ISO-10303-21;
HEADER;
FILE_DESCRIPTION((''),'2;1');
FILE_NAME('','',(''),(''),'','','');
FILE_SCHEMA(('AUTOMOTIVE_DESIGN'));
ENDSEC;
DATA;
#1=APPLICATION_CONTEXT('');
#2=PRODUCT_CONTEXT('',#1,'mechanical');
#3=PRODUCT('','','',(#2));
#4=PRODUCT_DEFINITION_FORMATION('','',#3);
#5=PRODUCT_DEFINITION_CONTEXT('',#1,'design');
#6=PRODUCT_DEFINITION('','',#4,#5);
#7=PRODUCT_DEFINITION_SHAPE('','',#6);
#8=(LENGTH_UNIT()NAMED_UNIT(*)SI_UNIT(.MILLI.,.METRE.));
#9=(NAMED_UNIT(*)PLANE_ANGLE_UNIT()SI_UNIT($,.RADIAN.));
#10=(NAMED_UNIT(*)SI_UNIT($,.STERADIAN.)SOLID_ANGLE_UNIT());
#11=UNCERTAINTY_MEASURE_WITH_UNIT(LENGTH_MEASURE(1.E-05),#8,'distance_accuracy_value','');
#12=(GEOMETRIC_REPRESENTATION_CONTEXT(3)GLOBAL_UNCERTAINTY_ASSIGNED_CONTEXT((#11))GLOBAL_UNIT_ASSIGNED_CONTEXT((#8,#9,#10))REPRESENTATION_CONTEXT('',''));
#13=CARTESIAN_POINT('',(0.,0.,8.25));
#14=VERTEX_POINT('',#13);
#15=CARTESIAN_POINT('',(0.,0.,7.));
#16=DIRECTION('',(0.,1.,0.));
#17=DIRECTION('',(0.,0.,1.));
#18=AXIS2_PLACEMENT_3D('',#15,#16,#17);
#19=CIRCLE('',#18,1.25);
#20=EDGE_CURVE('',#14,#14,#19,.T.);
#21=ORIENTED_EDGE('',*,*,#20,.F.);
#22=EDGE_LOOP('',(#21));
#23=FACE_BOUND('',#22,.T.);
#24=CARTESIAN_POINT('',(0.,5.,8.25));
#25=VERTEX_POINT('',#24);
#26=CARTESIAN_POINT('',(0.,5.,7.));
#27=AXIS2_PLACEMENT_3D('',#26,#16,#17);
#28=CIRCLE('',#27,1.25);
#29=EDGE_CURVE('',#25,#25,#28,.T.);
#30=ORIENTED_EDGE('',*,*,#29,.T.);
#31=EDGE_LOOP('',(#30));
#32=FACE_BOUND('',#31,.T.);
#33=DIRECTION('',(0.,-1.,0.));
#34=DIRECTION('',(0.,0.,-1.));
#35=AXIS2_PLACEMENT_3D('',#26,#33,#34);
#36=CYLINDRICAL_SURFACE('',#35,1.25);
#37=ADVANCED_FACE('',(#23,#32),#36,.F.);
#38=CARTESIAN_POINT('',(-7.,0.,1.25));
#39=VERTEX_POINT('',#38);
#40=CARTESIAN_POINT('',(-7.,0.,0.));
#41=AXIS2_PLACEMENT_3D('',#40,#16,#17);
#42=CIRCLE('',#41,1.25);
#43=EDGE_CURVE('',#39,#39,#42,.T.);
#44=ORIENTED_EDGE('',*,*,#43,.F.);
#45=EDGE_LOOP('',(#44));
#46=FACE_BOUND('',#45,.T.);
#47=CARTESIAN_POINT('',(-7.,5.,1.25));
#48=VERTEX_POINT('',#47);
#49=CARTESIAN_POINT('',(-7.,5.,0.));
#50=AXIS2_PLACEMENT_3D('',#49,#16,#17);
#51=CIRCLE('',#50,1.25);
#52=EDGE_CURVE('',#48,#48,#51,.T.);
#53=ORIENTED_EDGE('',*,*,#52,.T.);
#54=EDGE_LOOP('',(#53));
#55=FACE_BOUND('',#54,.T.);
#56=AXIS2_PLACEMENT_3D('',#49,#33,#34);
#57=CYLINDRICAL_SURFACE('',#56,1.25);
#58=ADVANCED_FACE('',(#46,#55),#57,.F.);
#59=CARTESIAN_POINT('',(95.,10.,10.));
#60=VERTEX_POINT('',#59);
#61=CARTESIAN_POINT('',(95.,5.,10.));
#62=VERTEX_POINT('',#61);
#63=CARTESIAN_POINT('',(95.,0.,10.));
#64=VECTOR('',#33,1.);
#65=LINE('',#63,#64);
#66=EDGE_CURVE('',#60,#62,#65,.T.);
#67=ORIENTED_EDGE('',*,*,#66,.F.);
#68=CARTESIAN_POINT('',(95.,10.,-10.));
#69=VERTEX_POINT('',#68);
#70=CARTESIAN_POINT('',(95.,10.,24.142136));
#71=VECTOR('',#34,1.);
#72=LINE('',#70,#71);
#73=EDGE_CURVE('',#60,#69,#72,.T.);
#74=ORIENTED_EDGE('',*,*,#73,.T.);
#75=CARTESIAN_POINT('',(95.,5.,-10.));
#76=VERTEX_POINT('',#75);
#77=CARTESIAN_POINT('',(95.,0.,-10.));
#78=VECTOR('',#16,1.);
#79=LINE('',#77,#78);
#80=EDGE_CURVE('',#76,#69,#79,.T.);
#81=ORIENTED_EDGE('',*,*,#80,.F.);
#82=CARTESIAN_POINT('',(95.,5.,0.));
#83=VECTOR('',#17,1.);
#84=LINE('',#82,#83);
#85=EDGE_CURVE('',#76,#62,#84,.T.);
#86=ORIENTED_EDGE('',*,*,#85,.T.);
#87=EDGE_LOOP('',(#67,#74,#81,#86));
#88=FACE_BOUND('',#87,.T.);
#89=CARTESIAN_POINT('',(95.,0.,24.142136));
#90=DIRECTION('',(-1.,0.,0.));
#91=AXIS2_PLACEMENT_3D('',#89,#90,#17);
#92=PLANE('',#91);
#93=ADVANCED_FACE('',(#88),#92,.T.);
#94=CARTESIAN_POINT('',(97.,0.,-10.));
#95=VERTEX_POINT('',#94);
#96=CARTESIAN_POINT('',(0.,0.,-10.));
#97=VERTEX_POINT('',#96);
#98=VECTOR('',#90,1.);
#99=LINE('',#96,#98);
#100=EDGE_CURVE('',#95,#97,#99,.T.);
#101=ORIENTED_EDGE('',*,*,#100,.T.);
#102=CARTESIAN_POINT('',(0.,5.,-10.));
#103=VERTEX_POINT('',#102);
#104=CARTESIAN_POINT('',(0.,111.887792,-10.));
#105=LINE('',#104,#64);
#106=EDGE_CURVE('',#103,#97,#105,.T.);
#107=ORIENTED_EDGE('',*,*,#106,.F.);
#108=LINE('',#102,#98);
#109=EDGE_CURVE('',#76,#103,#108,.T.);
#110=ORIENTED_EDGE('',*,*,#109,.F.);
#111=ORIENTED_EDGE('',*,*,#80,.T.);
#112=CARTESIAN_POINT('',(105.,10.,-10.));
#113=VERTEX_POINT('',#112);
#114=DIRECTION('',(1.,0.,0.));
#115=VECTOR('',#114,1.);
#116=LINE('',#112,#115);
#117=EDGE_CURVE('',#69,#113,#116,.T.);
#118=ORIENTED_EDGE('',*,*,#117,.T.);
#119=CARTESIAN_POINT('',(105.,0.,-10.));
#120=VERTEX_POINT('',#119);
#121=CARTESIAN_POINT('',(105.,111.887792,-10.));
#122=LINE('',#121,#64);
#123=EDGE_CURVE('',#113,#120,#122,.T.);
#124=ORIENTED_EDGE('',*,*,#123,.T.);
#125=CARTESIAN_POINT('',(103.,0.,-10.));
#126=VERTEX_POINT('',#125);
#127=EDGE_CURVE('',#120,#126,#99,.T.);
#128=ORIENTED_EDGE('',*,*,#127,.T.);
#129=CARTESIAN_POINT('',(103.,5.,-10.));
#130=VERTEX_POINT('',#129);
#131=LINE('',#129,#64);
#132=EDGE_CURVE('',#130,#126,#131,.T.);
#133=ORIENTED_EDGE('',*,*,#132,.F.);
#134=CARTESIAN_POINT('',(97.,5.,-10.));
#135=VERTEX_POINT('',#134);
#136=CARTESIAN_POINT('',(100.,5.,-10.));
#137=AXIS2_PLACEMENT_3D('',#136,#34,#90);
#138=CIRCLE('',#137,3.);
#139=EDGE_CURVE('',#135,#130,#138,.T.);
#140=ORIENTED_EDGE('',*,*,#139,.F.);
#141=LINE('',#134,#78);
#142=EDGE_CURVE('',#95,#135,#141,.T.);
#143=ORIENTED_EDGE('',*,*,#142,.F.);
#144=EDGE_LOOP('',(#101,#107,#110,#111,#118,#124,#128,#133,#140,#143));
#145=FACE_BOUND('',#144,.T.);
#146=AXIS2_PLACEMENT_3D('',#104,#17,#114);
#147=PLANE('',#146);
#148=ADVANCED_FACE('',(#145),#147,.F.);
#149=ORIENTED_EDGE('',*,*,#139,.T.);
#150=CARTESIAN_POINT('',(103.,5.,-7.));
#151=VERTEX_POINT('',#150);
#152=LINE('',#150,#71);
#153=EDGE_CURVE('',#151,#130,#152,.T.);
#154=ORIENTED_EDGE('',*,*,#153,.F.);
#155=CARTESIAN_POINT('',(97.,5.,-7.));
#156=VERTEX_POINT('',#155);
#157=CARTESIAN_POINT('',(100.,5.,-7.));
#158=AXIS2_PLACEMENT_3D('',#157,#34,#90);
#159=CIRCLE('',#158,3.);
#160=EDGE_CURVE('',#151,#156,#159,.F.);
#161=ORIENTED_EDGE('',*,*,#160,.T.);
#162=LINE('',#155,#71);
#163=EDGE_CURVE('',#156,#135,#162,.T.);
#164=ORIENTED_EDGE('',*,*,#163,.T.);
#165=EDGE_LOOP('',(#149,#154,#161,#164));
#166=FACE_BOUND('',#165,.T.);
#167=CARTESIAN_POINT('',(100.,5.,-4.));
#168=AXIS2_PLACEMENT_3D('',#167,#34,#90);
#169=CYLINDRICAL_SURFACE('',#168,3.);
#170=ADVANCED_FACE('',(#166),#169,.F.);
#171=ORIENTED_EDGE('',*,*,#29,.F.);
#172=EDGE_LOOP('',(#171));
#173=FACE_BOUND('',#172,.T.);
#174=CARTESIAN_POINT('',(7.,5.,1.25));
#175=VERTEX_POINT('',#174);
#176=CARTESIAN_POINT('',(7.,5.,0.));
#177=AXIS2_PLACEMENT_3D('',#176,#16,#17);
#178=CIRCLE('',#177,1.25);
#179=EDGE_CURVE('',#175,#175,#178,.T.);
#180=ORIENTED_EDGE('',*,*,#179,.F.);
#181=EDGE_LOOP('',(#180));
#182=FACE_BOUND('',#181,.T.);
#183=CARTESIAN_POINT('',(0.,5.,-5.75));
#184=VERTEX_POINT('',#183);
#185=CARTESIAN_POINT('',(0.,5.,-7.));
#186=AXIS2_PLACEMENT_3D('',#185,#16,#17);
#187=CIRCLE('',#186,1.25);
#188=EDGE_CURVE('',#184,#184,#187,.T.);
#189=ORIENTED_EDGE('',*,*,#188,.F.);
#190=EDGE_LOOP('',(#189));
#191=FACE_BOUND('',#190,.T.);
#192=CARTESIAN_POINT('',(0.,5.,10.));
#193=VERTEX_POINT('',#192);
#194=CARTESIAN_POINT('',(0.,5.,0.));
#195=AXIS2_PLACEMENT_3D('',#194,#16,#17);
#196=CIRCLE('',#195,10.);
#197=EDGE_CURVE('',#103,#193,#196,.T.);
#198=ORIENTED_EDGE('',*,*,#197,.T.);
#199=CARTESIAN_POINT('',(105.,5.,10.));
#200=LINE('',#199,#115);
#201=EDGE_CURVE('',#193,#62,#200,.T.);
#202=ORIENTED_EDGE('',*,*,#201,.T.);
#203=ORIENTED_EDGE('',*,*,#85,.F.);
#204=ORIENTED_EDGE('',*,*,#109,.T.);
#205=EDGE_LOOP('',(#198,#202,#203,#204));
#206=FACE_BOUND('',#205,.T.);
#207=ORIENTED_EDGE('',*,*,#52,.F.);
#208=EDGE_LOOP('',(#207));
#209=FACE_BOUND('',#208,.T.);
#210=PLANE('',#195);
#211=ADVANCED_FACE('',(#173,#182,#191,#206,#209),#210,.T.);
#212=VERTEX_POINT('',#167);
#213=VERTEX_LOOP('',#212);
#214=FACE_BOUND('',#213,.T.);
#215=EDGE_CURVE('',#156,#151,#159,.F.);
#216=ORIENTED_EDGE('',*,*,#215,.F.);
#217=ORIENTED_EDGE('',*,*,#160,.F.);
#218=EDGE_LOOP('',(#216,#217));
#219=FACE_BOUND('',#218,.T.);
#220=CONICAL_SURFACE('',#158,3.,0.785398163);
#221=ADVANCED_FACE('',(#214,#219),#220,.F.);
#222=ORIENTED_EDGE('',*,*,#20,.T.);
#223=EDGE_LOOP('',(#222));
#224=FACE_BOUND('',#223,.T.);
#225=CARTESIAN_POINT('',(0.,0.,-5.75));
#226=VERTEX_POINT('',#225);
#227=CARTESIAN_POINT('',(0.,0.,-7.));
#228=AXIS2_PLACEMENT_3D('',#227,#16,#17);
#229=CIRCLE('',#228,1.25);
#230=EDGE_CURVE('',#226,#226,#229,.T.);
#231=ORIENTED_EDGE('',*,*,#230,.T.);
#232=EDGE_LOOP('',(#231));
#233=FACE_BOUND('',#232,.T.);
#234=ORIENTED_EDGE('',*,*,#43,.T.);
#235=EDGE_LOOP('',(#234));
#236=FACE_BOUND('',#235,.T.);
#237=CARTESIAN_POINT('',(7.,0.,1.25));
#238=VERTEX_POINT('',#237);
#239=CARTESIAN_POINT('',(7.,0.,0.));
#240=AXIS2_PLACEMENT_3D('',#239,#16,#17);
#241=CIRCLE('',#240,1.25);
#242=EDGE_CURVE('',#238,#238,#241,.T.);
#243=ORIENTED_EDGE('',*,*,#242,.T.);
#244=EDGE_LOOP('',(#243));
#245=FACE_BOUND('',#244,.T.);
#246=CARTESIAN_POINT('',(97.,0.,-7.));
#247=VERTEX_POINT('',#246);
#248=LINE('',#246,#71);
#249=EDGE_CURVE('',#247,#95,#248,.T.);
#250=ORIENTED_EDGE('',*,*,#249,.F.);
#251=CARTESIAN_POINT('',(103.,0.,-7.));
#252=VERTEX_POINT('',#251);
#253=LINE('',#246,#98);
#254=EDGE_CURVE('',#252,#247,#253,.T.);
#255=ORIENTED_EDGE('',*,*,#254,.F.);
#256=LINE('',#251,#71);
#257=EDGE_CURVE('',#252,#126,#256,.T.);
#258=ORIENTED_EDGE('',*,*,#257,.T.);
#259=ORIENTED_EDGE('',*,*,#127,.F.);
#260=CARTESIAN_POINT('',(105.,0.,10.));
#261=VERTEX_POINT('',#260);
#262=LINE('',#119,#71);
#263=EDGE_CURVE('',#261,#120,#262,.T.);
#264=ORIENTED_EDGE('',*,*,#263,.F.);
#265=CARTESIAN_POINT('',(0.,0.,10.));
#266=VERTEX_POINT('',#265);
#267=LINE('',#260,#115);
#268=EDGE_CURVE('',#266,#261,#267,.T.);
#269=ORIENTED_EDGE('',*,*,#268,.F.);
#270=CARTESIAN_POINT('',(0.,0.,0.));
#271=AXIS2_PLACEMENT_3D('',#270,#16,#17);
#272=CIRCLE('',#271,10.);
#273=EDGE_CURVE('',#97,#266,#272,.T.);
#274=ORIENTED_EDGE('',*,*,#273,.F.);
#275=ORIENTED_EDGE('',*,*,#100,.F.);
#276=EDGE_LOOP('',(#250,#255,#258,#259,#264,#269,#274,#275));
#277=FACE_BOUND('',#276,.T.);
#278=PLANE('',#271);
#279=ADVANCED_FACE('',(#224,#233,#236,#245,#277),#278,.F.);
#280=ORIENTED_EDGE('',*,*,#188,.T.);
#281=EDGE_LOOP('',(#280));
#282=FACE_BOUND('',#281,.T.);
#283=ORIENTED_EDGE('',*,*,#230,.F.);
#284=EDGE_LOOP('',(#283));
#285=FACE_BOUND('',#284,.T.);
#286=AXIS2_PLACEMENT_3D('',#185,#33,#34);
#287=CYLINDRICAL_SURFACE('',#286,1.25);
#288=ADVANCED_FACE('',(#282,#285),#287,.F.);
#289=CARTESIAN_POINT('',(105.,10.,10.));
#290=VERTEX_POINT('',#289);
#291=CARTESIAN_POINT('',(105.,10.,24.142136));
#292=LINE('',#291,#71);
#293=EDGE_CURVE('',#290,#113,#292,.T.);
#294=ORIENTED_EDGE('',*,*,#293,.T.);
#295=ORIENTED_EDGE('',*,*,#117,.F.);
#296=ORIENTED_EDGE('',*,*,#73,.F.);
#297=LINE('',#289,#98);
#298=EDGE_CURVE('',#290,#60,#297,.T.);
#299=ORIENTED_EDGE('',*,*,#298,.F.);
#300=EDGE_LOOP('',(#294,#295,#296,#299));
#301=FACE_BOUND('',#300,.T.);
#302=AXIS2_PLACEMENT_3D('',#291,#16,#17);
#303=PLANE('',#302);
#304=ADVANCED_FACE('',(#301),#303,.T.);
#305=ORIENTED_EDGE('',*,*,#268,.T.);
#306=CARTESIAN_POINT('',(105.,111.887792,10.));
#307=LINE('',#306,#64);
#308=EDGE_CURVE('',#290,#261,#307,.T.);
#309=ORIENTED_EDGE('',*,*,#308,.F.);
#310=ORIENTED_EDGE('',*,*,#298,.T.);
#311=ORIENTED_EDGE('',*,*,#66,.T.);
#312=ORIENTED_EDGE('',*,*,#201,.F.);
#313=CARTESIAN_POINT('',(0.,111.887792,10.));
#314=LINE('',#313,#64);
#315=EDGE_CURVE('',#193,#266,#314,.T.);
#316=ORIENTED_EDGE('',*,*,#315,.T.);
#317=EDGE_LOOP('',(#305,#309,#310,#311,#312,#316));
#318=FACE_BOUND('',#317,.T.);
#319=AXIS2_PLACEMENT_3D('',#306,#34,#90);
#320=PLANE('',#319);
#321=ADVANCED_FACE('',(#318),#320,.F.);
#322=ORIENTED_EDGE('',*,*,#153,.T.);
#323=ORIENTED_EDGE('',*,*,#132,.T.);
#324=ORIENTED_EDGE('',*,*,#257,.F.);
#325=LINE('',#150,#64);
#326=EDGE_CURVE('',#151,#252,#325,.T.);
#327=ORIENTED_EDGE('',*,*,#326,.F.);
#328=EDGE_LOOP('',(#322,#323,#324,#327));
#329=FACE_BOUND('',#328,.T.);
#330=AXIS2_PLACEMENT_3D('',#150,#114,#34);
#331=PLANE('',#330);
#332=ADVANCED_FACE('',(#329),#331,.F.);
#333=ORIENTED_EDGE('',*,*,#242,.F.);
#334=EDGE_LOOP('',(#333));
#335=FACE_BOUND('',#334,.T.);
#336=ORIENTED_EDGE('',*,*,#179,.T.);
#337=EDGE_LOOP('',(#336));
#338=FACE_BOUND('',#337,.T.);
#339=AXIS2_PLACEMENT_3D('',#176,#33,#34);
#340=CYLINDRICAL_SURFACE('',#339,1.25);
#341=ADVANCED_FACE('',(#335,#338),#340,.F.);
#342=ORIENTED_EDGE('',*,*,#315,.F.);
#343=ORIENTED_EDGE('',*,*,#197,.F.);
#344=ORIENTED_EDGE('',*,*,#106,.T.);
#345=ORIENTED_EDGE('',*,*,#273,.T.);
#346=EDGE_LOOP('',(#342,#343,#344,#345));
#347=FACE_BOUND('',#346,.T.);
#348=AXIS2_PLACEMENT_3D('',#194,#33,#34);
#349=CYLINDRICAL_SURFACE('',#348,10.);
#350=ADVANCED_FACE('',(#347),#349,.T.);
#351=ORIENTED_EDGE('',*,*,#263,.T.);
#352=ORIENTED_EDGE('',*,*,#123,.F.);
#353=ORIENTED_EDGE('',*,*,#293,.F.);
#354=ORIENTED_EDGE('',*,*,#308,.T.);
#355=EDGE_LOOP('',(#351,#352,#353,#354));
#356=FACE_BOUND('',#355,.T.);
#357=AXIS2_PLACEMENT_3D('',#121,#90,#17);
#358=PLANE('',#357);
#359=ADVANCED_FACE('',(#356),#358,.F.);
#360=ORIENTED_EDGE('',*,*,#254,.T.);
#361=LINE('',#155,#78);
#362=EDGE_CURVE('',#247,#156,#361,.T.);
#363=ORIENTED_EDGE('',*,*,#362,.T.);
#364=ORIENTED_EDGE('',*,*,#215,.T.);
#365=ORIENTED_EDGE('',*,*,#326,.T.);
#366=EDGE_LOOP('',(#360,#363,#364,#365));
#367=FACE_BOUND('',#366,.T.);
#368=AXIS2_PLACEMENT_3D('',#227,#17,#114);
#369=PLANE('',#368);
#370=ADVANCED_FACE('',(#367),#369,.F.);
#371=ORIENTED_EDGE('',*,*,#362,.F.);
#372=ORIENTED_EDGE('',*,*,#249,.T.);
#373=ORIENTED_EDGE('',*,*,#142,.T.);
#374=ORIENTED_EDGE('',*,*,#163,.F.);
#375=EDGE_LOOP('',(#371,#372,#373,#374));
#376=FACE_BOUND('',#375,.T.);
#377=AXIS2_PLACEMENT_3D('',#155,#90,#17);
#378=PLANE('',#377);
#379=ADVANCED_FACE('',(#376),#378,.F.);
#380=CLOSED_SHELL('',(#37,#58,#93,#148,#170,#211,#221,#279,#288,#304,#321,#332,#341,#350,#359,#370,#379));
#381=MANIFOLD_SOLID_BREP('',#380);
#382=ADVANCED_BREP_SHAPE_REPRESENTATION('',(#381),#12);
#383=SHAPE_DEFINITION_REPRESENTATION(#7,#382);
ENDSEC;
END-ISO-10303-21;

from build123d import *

# Parameters (mm, degrees)
SKETCH1_R           = 10
SKETCH1_R_2         = 1.25
BOSS_EXTRUDE1_DEPTH = 5
BOSS_EXTRUDE2_DEPTH = 5
SKETCH3_W           = 10
SKETCH3_H           = 10
BOSS_EXTRUDE3_DEPTH = 20
SKETCH4_R           = 3
CUT_EXTRUDE1_DEPTH  = 6
CHAMFER1_SIZE       = 3
SKETCH5_W           = 6
SKETCH5_H           = 5
CUT_EXTRUDE2_DEPTH  = 3


with BuildPart() as part:
    # Sketch1 → Boss-Extrude1 (new body)
    with BuildSketch(Plane(origin=(0, 0, 0), x_dir=(1, 0, 0), z_dir=(0, 1, 0))):
        with Locations(Location((0, 0, 0), (0, 0, 270))):
            Circle(SKETCH1_R)
        with Locations(Location((0, 7, 0), (0, 0, 270))):
            Circle(SKETCH1_R_2, mode=Mode.SUBTRACT)
        with Locations(Location((7, 0, 0), (0, 0, 270))):
            Circle(SKETCH1_R_2, mode=Mode.SUBTRACT)
        with Locations(Location((0, -7, 0), (0, 0, 270))):
            Circle(SKETCH1_R_2, mode=Mode.SUBTRACT)
        with Locations(Location((-7, 0, 0), (0, 0, 270))):
            Circle(SKETCH1_R_2, mode=Mode.SUBTRACT)
    extrude(amount=BOSS_EXTRUDE1_DEPTH)

    # Sketch2 → Boss-Extrude2 (add)
    with BuildSketch(Plane(origin=(0, 0, 0), x_dir=(1, 0, 0), z_dir=(0, 1, 0))):
        with BuildLine():
            Line((0, 10), (105, 10))
            Line((105, 10), (105, -10))
            Line((105, -10), (0, -10))
            ThreePointArc((0, -10), (10, 0), (0, 10))
        make_face()
    extrude(amount=BOSS_EXTRUDE2_DEPTH)

    # Sketch3 → Boss-Extrude3 (add)
    with BuildSketch(Plane(origin=(0, 0, -10), x_dir=(-1, 0, 0), z_dir=(0, 0, -1))):
        with Locations((-100, 5)):
            Rectangle(SKETCH3_W, SKETCH3_H)
    extrude(amount=-BOSS_EXTRUDE3_DEPTH)

    # Sketch4 → Cut-Extrude1 (cut)
    with BuildSketch(Plane(origin=(0, 0, -10), x_dir=(-1, 0, 0), z_dir=(0, 0, -1))):
        with Locations((-100, 5)):
            Circle(SKETCH4_R)
    extrude(amount=-CUT_EXTRUDE1_DEPTH, mode=Mode.SUBTRACT)

    # Chamfer1
    chamfer1_edges = [part.edges().sort_by_distance(p)[0] for p in [
        (103, 5, -4),
    ]]
    chamfer(chamfer1_edges, length=CHAMFER1_SIZE)

    # Sketch5 → Cut-Extrude2 (cut)
    with BuildSketch(Plane(origin=(0, 0, -10), x_dir=(-1, 0, 0), z_dir=(0, 0, -1))):
        with Locations((-100, 2.5)):
            Rectangle(SKETCH5_W, SKETCH5_H)
    extrude(amount=-CUT_EXTRUDE2_DEPTH, mode=Mode.SUBTRACT)


solid = part.part
